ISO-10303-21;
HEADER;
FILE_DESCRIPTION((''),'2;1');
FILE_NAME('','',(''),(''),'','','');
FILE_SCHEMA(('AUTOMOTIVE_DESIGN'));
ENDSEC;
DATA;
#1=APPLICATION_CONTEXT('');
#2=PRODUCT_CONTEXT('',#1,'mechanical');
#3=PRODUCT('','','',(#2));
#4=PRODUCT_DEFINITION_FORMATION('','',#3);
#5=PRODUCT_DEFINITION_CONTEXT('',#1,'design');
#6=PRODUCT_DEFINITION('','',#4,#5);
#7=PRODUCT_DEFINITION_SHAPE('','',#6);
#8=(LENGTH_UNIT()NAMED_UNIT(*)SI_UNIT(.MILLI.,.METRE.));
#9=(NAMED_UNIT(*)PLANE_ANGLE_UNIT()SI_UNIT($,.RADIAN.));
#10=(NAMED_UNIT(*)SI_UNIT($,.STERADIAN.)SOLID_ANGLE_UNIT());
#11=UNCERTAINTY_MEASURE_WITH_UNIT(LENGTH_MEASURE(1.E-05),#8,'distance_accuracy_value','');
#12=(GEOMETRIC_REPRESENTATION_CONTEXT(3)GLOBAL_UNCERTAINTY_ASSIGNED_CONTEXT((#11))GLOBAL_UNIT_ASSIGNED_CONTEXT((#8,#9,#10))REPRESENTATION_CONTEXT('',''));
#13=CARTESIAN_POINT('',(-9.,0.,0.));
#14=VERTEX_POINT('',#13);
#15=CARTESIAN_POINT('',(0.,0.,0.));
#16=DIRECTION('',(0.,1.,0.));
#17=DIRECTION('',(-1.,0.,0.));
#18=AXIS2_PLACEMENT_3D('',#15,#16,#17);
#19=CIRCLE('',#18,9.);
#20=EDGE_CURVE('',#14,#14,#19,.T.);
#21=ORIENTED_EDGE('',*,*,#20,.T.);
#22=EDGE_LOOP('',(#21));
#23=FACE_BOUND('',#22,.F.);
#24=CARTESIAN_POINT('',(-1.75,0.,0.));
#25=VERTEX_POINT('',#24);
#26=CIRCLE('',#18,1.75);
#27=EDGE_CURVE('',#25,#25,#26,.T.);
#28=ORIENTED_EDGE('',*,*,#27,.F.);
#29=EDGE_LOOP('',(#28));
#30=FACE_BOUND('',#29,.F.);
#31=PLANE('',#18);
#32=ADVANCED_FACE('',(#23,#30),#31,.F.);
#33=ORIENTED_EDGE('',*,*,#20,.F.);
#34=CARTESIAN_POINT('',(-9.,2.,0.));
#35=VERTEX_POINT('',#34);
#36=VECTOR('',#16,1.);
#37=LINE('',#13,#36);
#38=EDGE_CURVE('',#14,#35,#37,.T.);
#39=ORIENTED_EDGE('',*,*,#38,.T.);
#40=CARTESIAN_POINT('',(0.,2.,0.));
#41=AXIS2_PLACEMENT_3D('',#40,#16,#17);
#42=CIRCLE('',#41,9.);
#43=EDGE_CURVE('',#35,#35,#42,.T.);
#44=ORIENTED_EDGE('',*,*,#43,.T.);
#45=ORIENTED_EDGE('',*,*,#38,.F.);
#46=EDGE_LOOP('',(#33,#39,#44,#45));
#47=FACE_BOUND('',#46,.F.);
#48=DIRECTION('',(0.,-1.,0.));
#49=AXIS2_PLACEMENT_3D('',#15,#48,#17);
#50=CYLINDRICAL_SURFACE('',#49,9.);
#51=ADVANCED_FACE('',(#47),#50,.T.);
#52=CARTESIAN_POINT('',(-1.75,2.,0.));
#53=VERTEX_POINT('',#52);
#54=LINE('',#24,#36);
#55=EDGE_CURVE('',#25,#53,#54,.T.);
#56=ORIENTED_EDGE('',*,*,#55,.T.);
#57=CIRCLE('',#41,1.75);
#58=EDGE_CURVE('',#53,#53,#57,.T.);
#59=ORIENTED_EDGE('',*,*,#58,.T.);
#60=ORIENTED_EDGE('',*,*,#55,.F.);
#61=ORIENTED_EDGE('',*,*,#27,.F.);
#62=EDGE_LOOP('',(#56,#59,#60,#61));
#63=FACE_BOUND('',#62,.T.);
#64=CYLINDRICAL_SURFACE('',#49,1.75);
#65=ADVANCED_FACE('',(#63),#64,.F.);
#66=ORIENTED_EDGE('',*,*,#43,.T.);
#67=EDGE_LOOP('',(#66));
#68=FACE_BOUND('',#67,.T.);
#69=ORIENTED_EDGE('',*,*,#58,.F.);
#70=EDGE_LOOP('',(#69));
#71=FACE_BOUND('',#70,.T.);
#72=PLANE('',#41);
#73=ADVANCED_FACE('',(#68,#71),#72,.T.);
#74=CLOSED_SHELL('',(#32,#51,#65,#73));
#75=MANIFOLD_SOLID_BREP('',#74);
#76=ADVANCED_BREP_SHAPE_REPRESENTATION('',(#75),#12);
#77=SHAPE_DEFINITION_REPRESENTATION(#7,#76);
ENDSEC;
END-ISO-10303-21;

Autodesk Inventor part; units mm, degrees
ref_plane "YZ Plane" through (0, 0, 0) normal (1, 0, 0) x (0, 1, 0)
ref_plane "XZ Plane" through (0, 0, 0) normal (0, 1, 0) x (-1, 0, 0)
ref_plane "XY Plane" through (0, 0, 0) normal (0, 0, 1) x (1, 0, 0)
sketch "Sketch1" plane through (0, 0, 0) normal (0, 1, 0) x (-1, 0, 0)
  circle A0 centre (0, 0) radius 9
  circle A1 centre (0, 0) radius 1.75
  dimension "d0" = 18
  dimension "d1" = 3.5
extrude "Extrusion1" add sketch "Sketch1" along normal blind 2
properties part number "Gear Ring"
